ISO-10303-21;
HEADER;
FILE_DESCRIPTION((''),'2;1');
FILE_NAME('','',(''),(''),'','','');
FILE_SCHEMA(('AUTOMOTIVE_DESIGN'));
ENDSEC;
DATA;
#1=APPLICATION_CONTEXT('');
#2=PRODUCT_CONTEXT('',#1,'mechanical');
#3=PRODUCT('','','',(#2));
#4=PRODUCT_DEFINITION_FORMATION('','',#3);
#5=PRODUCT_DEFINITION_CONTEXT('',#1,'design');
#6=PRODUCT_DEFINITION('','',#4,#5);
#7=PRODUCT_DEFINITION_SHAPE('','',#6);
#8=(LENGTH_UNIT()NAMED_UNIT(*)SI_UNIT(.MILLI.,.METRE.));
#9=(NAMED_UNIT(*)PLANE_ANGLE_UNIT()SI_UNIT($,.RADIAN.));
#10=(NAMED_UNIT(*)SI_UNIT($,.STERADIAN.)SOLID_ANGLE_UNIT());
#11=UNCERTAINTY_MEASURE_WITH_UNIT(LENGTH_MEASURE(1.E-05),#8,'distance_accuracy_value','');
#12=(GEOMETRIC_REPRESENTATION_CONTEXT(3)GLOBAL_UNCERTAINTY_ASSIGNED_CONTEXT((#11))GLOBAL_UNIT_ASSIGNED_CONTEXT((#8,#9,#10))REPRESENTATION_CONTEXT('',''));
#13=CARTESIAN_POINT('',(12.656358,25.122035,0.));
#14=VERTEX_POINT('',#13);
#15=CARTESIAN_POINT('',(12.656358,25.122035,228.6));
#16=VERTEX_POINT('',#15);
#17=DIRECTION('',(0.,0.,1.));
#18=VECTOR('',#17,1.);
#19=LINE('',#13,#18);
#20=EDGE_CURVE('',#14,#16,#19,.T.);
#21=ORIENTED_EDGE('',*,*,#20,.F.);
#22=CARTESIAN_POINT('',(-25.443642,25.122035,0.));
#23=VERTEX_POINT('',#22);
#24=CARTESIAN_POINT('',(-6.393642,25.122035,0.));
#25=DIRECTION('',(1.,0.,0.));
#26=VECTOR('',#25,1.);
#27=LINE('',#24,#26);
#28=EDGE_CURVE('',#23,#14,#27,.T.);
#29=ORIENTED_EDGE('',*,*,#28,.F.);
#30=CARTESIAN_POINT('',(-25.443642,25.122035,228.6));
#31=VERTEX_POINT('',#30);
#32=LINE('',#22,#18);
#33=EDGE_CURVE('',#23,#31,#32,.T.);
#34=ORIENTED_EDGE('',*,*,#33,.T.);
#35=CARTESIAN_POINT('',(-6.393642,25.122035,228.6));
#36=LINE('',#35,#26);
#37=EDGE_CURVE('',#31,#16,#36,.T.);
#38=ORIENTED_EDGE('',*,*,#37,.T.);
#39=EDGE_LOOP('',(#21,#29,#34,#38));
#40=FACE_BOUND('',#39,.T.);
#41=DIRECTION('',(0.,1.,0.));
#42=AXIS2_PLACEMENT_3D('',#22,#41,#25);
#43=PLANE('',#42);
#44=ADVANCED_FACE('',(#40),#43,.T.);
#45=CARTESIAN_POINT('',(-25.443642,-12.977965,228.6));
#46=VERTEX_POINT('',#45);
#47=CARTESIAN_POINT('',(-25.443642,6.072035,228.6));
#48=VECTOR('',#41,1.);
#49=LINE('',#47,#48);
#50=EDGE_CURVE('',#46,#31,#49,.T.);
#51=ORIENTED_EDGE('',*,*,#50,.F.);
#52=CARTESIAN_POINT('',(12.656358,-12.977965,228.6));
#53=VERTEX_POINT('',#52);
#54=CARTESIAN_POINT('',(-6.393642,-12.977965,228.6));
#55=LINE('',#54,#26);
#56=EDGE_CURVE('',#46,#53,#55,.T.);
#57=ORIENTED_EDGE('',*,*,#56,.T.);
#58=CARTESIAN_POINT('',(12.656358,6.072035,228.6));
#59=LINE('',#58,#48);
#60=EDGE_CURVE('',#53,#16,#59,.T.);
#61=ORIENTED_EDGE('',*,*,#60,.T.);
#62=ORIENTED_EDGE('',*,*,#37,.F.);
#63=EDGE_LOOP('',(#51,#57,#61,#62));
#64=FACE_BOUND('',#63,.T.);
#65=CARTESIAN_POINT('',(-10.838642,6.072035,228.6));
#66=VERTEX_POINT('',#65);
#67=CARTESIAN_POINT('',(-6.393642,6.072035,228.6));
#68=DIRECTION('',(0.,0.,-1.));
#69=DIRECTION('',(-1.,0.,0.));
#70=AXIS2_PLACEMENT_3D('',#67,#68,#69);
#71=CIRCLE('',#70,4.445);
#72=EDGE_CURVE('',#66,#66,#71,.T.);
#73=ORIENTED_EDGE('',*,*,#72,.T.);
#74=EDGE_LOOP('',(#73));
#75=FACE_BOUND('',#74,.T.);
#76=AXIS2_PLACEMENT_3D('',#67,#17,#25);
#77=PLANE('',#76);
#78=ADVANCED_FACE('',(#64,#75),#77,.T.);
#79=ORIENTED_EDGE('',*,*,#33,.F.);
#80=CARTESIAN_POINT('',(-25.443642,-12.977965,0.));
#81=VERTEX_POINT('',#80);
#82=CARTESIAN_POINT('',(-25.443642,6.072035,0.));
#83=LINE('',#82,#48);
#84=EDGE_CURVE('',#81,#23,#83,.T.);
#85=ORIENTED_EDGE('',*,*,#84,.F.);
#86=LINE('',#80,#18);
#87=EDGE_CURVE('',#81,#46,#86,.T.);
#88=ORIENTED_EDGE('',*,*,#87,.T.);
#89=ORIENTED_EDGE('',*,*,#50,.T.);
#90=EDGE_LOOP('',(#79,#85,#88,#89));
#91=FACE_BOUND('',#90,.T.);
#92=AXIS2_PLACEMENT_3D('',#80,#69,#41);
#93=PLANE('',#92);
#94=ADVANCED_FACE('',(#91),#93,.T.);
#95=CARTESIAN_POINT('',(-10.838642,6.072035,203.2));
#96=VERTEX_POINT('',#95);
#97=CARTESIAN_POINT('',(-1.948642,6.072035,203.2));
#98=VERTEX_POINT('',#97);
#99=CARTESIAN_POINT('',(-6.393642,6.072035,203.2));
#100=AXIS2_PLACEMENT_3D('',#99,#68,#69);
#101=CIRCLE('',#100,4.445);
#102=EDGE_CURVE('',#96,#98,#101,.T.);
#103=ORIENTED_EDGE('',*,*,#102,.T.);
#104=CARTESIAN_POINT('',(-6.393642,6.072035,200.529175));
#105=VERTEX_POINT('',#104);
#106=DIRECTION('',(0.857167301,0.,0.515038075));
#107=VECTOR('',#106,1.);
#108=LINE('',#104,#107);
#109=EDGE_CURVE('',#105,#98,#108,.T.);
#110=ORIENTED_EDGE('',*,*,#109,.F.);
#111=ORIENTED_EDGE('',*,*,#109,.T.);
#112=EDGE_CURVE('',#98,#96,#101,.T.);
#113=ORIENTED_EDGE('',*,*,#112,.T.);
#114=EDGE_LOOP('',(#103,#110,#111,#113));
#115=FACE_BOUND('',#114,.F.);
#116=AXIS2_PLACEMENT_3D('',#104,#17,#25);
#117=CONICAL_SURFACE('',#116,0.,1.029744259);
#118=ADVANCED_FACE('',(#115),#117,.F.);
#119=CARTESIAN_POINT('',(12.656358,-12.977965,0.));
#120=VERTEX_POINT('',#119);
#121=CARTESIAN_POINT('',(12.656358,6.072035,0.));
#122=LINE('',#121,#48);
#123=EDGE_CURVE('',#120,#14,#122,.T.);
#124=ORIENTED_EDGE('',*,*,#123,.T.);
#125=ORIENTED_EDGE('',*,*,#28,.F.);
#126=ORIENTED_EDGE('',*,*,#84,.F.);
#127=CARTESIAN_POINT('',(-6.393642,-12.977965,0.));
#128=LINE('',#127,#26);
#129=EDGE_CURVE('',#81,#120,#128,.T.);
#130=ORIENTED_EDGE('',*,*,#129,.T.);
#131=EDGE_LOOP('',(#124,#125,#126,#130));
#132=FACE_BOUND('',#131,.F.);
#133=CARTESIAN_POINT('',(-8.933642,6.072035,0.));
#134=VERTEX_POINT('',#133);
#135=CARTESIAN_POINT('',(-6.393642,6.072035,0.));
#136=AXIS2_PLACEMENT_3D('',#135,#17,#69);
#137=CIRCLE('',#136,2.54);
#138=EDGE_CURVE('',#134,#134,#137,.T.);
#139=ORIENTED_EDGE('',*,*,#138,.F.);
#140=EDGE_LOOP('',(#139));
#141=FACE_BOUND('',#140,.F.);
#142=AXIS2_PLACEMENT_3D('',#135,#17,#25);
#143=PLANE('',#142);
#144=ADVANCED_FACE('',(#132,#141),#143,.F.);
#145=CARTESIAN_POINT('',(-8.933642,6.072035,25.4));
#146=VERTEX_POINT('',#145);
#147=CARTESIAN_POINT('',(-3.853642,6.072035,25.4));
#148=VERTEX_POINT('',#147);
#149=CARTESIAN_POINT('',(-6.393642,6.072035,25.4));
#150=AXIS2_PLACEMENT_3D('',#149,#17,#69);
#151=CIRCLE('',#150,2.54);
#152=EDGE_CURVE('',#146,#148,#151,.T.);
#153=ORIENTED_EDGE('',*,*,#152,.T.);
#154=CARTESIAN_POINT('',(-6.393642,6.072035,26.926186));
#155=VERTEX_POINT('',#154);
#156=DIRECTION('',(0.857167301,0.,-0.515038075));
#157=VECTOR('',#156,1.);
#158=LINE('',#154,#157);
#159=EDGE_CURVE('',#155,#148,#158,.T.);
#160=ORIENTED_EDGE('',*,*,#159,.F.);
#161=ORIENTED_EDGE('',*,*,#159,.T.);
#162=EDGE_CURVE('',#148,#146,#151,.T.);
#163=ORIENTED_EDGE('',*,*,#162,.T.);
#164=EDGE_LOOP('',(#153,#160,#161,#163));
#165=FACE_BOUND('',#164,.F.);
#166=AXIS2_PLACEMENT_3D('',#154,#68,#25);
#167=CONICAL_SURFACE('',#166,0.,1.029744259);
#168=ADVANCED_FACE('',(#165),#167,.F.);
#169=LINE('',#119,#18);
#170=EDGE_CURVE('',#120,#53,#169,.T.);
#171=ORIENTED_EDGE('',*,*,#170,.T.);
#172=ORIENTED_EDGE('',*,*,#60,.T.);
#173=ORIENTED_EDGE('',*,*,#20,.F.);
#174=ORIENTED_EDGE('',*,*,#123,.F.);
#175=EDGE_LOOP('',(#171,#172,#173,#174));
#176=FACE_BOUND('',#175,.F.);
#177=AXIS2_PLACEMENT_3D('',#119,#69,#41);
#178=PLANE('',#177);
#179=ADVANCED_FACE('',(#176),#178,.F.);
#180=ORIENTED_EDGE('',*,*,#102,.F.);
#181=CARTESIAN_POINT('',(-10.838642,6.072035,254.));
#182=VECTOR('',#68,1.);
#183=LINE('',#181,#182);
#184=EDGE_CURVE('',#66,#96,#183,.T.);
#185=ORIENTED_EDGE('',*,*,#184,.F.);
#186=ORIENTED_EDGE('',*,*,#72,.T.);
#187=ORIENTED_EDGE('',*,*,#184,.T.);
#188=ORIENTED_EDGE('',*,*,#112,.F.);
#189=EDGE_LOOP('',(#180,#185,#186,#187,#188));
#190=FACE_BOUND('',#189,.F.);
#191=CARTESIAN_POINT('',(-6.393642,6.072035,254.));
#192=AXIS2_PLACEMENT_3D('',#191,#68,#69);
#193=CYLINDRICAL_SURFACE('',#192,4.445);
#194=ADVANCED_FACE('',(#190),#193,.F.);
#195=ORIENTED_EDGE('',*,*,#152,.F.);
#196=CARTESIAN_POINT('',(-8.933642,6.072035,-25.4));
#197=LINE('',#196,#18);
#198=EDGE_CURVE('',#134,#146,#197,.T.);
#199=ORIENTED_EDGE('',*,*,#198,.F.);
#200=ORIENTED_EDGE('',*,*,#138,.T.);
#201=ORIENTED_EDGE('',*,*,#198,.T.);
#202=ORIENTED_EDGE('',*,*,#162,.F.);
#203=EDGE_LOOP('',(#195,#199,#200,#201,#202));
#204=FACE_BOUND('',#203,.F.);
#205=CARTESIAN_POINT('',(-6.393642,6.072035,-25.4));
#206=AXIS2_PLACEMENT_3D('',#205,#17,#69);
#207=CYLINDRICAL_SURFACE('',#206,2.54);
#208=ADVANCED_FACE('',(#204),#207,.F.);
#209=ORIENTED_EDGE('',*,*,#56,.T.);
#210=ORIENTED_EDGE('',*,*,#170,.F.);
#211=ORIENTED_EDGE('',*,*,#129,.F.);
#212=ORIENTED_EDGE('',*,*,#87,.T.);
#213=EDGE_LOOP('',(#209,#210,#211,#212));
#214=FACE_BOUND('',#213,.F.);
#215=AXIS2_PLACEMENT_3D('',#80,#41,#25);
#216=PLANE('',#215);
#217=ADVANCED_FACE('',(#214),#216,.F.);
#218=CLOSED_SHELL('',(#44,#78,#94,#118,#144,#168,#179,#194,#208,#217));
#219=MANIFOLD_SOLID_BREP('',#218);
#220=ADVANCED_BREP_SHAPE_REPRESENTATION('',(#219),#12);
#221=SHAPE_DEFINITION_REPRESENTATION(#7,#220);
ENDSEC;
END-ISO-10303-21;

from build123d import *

# Parameters (mm, degrees)
F0_W     = 38.1
F0_H     = 38.1
F1_DEPTH = 228.6
F3_D     = 5.08
F3_DEPTH = 25.4
F3_TIP   = 1.5261859723
F5_D     = 8.89
F5_DEPTH = 25.4
F5_TIP   = 2.6708254516


with BuildPart() as f1:
    # F0 (on Top) → F1 (new body)
    with BuildSketch(Plane.XY):
        with Locations((-6.3936419293, 6.0720348239)):
            Rectangle(F0_W, F0_H)
    extrude(amount=F1_DEPTH)

    # F3
    with Locations(Plane(origin=(0, 0, 0), x_dir=(1, 0, 0), z_dir=(0, 0, -1))):
        with Locations((-6.3936419293, -6.0720348239)):
            Hole(F3_D / 2, depth=F3_DEPTH)
            with Locations((0, 0, -(F3_DEPTH + F3_TIP / 2))):  # 118° drill point
                Cone(0, F3_D / 2, F3_TIP, mode=Mode.SUBTRACT)

    # F5
    with Locations(Plane.XY.offset(228.6)):
        with Locations((-6.3936419293, 6.0720348239)):
            Hole(F5_D / 2, depth=F5_DEPTH)
            with Locations((0, 0, -(F5_DEPTH + F5_TIP / 2))):  # 118° drill point
                Cone(0, F5_D / 2, F5_TIP, mode=Mode.SUBTRACT)


solid = f1.part
